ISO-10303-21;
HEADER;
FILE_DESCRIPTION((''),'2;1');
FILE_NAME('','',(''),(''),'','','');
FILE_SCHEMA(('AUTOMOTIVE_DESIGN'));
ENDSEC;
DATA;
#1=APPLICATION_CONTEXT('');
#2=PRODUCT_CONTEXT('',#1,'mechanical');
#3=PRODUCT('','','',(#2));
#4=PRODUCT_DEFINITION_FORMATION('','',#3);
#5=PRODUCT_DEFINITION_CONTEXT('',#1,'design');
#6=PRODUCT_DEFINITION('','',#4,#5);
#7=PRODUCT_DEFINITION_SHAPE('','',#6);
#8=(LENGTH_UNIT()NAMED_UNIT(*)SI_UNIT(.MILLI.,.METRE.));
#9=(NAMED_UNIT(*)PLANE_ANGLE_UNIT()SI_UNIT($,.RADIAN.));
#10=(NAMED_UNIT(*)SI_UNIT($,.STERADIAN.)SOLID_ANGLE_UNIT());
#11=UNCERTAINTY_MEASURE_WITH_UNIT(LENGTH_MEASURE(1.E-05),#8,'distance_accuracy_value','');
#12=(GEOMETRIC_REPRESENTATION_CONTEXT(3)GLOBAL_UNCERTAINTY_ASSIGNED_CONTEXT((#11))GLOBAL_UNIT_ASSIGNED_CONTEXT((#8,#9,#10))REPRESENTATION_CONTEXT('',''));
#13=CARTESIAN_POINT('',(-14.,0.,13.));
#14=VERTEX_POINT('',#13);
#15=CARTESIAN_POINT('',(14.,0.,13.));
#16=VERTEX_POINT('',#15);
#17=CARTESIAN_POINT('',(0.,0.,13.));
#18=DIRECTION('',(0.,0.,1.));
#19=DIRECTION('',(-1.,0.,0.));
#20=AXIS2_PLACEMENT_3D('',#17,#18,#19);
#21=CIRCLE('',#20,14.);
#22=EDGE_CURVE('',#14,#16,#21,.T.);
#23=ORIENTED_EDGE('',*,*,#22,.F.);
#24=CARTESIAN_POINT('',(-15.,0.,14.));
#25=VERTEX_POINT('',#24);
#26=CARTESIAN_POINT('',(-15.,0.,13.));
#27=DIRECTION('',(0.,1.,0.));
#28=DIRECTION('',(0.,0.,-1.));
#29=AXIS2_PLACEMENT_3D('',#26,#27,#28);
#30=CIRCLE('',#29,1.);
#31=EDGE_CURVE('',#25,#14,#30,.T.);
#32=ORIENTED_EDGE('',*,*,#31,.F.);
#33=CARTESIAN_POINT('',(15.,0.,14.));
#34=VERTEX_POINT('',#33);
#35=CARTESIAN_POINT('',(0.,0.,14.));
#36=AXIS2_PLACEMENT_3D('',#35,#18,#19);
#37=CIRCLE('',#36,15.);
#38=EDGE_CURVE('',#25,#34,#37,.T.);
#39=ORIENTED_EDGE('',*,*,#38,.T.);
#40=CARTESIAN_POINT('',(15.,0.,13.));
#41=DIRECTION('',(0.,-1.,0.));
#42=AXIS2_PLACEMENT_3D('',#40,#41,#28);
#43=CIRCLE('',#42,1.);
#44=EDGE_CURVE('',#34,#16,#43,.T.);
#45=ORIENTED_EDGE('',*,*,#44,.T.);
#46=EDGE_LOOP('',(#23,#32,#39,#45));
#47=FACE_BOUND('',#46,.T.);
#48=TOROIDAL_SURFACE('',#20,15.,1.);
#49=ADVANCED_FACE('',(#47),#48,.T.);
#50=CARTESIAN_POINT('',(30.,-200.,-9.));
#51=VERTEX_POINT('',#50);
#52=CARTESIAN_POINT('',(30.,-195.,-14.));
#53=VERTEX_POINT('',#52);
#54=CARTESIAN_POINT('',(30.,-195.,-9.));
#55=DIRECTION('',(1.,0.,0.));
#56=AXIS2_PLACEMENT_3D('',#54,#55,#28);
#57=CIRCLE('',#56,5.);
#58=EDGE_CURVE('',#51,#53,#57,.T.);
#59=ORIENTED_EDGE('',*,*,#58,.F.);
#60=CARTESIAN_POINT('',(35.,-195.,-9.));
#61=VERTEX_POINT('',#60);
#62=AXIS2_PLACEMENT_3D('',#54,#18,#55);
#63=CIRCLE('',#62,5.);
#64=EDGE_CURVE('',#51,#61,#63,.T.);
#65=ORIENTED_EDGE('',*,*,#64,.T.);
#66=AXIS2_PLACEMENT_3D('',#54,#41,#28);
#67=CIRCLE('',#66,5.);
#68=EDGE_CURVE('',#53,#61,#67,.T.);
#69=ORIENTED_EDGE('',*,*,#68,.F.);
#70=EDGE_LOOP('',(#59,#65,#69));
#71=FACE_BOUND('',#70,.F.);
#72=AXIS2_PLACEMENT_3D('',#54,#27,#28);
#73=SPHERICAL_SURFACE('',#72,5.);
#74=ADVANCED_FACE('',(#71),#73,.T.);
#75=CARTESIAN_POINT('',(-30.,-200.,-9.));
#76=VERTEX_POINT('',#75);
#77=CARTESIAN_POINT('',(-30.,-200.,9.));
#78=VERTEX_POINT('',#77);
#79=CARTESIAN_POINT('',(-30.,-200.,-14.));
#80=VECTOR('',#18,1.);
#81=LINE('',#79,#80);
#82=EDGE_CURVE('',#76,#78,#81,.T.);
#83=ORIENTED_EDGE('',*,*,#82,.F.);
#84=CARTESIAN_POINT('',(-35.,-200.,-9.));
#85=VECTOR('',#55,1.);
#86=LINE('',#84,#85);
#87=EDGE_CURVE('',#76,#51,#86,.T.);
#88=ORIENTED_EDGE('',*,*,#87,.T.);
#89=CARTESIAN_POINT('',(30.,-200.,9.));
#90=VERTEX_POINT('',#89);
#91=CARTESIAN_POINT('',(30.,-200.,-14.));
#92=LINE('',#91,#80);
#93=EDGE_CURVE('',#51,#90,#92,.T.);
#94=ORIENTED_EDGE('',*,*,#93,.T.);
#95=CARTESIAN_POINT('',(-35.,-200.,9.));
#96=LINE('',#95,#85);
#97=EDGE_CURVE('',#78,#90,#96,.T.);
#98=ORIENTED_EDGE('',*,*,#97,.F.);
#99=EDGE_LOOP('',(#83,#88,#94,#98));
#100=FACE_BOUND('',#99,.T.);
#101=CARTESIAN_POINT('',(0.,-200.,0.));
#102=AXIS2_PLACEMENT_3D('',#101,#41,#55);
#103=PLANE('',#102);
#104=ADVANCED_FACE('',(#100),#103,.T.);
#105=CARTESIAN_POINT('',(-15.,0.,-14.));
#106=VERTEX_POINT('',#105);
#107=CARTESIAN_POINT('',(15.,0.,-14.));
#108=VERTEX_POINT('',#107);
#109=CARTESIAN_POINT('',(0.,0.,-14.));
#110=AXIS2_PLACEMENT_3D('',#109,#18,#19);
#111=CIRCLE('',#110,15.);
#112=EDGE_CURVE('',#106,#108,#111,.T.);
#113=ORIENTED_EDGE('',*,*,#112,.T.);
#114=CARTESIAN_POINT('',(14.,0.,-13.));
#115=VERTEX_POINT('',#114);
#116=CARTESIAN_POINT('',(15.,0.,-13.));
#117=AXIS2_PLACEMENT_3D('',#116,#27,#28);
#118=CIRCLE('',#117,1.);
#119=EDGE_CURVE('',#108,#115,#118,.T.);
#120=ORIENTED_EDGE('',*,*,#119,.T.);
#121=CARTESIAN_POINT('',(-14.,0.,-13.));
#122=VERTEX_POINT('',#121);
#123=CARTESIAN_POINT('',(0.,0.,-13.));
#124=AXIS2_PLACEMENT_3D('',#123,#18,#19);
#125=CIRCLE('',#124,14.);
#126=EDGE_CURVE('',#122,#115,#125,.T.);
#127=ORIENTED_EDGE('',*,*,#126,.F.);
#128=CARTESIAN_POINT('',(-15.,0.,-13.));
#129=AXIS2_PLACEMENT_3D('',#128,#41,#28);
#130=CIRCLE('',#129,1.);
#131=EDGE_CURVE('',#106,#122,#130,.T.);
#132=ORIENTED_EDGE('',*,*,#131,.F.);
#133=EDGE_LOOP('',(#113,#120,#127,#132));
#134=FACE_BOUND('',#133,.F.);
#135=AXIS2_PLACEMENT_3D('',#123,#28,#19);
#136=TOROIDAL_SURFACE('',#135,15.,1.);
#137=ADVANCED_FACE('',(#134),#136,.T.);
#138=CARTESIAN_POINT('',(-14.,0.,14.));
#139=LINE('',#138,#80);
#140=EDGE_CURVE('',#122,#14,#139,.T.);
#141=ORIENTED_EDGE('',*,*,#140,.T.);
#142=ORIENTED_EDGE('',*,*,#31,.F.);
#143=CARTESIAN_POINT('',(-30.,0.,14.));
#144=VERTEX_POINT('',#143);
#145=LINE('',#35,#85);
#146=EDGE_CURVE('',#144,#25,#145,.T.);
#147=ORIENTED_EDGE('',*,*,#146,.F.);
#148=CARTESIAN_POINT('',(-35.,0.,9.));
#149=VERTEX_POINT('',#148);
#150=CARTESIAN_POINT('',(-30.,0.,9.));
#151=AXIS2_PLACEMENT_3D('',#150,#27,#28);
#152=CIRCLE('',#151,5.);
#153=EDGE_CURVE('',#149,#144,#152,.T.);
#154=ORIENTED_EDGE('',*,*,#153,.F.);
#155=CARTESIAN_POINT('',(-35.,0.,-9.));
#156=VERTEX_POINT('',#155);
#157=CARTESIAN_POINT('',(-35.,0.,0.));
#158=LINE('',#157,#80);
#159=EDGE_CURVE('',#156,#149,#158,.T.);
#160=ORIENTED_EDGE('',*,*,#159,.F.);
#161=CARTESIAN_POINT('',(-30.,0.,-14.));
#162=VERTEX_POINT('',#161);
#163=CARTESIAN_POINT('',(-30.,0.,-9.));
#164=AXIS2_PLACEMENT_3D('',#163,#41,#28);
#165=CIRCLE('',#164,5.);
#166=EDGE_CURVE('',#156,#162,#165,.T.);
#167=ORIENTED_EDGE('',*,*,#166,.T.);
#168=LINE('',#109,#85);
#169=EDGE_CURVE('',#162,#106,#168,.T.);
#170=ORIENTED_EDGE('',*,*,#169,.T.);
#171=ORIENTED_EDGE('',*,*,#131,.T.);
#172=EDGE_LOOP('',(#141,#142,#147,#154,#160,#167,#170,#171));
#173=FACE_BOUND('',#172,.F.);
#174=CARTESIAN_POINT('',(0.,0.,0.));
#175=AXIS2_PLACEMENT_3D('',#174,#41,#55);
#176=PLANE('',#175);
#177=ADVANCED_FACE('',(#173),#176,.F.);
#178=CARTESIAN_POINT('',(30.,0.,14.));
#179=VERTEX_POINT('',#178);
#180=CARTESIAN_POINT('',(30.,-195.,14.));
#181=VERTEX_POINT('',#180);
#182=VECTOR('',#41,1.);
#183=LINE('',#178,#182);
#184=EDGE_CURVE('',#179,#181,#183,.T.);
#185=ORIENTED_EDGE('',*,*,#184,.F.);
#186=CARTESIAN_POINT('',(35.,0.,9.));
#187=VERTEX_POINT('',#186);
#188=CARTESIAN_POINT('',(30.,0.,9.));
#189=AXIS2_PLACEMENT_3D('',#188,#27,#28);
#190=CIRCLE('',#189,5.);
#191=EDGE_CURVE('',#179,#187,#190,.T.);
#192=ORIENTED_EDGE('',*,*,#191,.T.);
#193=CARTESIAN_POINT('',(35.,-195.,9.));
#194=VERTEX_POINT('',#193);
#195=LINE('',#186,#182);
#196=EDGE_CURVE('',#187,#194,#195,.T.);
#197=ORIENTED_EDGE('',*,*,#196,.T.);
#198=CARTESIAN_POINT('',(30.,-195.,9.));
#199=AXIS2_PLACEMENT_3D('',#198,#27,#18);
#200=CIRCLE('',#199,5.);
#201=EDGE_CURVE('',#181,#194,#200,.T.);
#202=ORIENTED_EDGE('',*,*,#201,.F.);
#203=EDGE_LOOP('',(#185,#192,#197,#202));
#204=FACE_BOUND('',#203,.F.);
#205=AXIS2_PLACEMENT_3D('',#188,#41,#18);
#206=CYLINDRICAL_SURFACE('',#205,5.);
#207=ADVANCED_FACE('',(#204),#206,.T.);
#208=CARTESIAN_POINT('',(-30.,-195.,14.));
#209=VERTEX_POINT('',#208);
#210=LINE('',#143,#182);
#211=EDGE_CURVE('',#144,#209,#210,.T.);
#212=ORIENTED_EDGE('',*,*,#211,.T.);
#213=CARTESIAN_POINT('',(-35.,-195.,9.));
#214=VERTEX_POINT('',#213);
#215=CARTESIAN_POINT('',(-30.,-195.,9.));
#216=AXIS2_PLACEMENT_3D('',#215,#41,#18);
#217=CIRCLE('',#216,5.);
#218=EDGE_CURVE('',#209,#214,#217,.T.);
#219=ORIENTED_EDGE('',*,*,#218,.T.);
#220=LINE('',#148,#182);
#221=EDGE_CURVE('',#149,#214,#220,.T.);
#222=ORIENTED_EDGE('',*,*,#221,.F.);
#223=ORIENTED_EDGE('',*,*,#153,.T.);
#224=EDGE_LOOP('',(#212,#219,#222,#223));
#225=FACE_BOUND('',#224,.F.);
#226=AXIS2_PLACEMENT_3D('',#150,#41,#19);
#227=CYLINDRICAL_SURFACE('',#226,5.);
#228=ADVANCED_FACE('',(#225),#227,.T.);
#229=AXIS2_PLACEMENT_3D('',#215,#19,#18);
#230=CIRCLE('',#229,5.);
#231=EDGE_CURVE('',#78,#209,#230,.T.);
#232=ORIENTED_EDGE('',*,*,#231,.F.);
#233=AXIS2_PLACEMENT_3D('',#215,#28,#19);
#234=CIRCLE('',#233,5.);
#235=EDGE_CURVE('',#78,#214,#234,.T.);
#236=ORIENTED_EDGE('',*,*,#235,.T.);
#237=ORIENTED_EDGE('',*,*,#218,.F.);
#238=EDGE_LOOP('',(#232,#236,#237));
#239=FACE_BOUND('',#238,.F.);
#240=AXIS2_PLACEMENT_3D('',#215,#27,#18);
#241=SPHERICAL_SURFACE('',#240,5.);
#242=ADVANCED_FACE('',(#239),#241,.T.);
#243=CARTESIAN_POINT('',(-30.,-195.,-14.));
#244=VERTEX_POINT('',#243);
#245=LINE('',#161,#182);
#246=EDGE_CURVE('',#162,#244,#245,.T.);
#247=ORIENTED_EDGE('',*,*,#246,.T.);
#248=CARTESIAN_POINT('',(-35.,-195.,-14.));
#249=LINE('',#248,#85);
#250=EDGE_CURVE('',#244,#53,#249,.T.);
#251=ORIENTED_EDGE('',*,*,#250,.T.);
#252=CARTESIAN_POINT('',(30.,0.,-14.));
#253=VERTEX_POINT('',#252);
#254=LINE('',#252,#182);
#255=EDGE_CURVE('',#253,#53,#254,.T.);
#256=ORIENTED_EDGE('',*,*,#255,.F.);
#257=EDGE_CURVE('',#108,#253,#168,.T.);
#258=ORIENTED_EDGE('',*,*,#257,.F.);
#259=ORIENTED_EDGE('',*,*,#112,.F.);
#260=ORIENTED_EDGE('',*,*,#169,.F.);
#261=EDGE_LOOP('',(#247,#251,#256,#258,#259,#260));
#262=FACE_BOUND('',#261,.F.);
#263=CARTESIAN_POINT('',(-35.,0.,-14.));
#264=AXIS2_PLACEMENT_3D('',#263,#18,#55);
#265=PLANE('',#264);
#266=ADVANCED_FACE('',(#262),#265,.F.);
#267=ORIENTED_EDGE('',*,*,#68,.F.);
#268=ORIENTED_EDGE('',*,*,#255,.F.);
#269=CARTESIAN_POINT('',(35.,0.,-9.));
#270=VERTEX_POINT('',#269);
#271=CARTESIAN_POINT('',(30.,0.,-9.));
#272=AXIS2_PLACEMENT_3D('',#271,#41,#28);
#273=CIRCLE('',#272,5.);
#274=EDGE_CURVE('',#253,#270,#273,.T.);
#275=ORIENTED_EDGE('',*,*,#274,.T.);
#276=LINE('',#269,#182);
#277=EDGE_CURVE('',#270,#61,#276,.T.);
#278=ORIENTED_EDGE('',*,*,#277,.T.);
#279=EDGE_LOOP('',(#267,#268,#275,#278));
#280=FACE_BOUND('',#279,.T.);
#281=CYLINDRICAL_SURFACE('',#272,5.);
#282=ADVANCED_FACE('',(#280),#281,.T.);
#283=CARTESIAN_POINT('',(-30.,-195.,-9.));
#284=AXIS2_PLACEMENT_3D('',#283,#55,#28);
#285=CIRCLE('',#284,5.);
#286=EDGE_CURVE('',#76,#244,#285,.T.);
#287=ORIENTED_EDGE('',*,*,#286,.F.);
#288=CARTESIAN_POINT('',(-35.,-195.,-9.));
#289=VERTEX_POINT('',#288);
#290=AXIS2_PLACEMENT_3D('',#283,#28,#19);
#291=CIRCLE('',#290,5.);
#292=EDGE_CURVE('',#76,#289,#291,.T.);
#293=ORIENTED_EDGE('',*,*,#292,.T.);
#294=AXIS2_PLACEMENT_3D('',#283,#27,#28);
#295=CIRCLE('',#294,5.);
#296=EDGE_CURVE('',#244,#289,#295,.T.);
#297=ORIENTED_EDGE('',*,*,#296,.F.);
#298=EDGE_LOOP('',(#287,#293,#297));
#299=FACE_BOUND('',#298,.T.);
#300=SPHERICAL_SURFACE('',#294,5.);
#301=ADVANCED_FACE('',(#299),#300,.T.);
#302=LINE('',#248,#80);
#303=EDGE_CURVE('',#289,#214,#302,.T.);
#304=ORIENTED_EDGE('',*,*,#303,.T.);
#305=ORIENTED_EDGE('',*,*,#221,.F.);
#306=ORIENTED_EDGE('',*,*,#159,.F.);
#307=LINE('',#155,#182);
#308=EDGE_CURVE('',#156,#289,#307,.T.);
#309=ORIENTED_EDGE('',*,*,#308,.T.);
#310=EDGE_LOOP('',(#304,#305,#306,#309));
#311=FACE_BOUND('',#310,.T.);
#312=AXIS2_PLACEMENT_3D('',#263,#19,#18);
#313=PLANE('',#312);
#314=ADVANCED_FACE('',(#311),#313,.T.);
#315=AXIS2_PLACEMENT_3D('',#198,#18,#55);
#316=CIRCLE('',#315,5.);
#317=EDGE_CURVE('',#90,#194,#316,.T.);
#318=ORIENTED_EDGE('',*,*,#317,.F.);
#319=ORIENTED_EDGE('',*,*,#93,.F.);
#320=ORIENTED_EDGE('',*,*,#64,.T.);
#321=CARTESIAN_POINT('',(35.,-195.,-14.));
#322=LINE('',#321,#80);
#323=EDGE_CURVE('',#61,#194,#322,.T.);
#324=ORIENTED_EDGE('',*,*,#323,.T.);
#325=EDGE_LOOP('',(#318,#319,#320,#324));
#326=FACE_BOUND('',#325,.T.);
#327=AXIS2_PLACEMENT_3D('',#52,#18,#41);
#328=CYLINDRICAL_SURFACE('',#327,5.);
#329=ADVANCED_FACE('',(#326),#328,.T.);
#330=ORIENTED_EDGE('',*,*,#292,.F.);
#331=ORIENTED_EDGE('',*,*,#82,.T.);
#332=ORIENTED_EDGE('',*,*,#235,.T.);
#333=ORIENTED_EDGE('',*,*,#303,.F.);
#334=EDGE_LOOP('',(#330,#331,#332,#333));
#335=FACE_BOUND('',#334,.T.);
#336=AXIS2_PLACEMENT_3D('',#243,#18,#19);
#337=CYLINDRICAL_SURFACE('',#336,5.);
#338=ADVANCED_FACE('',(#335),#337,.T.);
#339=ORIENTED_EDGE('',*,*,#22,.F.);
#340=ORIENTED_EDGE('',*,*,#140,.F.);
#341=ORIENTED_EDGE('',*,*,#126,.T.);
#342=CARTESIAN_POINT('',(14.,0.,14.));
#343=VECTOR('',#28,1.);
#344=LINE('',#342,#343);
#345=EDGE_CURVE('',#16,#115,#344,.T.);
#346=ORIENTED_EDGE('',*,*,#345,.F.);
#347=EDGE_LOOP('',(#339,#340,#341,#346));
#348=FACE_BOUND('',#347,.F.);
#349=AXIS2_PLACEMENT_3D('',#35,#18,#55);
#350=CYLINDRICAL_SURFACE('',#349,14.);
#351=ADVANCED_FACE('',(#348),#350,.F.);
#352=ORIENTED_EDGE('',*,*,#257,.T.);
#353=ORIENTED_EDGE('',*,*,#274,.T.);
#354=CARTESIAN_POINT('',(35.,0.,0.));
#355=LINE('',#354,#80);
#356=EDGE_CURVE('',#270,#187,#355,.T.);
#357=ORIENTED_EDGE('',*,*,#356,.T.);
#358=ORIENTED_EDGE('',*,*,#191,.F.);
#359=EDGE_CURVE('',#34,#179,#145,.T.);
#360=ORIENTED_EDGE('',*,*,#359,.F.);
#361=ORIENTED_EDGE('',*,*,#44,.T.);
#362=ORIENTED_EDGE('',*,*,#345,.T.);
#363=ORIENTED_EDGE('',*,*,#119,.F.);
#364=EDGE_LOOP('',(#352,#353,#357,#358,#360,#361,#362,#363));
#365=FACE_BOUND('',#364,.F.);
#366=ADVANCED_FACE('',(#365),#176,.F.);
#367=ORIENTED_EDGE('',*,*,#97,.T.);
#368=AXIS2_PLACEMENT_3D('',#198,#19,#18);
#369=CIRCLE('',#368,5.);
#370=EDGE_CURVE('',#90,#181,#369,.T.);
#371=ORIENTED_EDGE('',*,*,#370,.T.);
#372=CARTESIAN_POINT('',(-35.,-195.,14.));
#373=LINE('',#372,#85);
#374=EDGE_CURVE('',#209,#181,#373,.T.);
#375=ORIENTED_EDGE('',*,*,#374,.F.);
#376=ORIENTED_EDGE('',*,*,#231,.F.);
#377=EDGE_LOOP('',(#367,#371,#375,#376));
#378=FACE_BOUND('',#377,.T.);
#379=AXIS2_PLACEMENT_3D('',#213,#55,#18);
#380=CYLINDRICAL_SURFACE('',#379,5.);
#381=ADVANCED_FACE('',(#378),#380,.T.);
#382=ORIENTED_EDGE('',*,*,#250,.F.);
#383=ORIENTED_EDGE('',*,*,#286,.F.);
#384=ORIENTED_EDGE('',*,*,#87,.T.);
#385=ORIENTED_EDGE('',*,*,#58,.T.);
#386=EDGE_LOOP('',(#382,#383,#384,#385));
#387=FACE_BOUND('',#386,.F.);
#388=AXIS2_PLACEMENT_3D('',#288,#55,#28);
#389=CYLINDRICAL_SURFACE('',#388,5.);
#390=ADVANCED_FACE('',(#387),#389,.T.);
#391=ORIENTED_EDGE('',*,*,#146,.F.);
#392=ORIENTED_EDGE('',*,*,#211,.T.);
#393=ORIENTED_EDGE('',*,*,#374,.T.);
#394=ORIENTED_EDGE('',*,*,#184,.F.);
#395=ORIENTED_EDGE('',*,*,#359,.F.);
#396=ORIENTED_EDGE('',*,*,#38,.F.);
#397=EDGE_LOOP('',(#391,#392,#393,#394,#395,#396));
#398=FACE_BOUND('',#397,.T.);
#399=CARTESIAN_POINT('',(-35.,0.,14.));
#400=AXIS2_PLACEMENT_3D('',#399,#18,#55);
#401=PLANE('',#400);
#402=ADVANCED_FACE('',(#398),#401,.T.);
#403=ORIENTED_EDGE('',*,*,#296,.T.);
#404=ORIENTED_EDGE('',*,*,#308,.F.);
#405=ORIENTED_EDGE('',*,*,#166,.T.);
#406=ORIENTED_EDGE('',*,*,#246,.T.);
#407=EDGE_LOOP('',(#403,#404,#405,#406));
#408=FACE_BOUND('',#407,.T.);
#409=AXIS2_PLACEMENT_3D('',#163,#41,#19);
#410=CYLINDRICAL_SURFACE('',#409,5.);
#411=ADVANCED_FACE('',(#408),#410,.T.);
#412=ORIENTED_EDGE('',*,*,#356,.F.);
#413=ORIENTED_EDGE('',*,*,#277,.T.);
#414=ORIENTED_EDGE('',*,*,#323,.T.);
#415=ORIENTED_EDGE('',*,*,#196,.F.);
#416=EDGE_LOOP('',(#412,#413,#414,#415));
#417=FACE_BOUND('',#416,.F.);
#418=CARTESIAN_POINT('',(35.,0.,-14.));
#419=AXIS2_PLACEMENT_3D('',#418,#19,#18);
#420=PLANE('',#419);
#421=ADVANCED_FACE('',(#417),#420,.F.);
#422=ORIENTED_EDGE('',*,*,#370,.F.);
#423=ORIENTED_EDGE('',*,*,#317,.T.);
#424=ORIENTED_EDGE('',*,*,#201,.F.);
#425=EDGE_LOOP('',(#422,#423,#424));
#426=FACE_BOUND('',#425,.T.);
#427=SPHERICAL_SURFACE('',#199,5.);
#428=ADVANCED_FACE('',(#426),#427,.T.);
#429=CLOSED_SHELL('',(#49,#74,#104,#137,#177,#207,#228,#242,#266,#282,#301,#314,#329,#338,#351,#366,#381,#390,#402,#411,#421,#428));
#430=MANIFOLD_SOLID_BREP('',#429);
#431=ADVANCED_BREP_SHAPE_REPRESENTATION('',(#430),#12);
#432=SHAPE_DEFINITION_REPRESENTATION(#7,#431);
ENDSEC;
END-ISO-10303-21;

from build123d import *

# Parameters (mm, degrees)
F0_W     = 70
F0_H     = 28
F1_DEPTH = 200
F2_R     = 14
F3_DEPTH = 28.001
F4_R     = 5
F5_R     = 1


with BuildPart() as f1:
    # F0 (on Front) → F1 (new body)
    with BuildSketch(Plane.XZ):
        Rectangle(F0_W, F0_H)
    extrude(amount=F1_DEPTH)

    # F2 (on face) → F3 (cut, through all)
    with BuildSketch(Plane.XY.offset(14)):
        Circle(F2_R)
    extrude(amount=-F3_DEPTH, mode=Mode.SUBTRACT)

    # F4
    f4_edges = [f1.edges().sort_by_distance(p)[0] for p in [
        (-35, -100, 14),
        (35, -100, 14),
        (35, -100, -14),
        (-35, -100, -14),
        (0, -200, 14),
        (0, -200, -14),
        (35, -200, 0),
        (-35, -200, 0),
    ]]
    fillet(f4_edges, radius=F4_R)

    # F5
    f5_edges = [f1.edges().sort_by_distance(p)[0] for p in [
        (0, -14, -14),
        (0, -14, 14),
    ]]
    fillet(f5_edges, radius=F5_R)


solid = f1.part
